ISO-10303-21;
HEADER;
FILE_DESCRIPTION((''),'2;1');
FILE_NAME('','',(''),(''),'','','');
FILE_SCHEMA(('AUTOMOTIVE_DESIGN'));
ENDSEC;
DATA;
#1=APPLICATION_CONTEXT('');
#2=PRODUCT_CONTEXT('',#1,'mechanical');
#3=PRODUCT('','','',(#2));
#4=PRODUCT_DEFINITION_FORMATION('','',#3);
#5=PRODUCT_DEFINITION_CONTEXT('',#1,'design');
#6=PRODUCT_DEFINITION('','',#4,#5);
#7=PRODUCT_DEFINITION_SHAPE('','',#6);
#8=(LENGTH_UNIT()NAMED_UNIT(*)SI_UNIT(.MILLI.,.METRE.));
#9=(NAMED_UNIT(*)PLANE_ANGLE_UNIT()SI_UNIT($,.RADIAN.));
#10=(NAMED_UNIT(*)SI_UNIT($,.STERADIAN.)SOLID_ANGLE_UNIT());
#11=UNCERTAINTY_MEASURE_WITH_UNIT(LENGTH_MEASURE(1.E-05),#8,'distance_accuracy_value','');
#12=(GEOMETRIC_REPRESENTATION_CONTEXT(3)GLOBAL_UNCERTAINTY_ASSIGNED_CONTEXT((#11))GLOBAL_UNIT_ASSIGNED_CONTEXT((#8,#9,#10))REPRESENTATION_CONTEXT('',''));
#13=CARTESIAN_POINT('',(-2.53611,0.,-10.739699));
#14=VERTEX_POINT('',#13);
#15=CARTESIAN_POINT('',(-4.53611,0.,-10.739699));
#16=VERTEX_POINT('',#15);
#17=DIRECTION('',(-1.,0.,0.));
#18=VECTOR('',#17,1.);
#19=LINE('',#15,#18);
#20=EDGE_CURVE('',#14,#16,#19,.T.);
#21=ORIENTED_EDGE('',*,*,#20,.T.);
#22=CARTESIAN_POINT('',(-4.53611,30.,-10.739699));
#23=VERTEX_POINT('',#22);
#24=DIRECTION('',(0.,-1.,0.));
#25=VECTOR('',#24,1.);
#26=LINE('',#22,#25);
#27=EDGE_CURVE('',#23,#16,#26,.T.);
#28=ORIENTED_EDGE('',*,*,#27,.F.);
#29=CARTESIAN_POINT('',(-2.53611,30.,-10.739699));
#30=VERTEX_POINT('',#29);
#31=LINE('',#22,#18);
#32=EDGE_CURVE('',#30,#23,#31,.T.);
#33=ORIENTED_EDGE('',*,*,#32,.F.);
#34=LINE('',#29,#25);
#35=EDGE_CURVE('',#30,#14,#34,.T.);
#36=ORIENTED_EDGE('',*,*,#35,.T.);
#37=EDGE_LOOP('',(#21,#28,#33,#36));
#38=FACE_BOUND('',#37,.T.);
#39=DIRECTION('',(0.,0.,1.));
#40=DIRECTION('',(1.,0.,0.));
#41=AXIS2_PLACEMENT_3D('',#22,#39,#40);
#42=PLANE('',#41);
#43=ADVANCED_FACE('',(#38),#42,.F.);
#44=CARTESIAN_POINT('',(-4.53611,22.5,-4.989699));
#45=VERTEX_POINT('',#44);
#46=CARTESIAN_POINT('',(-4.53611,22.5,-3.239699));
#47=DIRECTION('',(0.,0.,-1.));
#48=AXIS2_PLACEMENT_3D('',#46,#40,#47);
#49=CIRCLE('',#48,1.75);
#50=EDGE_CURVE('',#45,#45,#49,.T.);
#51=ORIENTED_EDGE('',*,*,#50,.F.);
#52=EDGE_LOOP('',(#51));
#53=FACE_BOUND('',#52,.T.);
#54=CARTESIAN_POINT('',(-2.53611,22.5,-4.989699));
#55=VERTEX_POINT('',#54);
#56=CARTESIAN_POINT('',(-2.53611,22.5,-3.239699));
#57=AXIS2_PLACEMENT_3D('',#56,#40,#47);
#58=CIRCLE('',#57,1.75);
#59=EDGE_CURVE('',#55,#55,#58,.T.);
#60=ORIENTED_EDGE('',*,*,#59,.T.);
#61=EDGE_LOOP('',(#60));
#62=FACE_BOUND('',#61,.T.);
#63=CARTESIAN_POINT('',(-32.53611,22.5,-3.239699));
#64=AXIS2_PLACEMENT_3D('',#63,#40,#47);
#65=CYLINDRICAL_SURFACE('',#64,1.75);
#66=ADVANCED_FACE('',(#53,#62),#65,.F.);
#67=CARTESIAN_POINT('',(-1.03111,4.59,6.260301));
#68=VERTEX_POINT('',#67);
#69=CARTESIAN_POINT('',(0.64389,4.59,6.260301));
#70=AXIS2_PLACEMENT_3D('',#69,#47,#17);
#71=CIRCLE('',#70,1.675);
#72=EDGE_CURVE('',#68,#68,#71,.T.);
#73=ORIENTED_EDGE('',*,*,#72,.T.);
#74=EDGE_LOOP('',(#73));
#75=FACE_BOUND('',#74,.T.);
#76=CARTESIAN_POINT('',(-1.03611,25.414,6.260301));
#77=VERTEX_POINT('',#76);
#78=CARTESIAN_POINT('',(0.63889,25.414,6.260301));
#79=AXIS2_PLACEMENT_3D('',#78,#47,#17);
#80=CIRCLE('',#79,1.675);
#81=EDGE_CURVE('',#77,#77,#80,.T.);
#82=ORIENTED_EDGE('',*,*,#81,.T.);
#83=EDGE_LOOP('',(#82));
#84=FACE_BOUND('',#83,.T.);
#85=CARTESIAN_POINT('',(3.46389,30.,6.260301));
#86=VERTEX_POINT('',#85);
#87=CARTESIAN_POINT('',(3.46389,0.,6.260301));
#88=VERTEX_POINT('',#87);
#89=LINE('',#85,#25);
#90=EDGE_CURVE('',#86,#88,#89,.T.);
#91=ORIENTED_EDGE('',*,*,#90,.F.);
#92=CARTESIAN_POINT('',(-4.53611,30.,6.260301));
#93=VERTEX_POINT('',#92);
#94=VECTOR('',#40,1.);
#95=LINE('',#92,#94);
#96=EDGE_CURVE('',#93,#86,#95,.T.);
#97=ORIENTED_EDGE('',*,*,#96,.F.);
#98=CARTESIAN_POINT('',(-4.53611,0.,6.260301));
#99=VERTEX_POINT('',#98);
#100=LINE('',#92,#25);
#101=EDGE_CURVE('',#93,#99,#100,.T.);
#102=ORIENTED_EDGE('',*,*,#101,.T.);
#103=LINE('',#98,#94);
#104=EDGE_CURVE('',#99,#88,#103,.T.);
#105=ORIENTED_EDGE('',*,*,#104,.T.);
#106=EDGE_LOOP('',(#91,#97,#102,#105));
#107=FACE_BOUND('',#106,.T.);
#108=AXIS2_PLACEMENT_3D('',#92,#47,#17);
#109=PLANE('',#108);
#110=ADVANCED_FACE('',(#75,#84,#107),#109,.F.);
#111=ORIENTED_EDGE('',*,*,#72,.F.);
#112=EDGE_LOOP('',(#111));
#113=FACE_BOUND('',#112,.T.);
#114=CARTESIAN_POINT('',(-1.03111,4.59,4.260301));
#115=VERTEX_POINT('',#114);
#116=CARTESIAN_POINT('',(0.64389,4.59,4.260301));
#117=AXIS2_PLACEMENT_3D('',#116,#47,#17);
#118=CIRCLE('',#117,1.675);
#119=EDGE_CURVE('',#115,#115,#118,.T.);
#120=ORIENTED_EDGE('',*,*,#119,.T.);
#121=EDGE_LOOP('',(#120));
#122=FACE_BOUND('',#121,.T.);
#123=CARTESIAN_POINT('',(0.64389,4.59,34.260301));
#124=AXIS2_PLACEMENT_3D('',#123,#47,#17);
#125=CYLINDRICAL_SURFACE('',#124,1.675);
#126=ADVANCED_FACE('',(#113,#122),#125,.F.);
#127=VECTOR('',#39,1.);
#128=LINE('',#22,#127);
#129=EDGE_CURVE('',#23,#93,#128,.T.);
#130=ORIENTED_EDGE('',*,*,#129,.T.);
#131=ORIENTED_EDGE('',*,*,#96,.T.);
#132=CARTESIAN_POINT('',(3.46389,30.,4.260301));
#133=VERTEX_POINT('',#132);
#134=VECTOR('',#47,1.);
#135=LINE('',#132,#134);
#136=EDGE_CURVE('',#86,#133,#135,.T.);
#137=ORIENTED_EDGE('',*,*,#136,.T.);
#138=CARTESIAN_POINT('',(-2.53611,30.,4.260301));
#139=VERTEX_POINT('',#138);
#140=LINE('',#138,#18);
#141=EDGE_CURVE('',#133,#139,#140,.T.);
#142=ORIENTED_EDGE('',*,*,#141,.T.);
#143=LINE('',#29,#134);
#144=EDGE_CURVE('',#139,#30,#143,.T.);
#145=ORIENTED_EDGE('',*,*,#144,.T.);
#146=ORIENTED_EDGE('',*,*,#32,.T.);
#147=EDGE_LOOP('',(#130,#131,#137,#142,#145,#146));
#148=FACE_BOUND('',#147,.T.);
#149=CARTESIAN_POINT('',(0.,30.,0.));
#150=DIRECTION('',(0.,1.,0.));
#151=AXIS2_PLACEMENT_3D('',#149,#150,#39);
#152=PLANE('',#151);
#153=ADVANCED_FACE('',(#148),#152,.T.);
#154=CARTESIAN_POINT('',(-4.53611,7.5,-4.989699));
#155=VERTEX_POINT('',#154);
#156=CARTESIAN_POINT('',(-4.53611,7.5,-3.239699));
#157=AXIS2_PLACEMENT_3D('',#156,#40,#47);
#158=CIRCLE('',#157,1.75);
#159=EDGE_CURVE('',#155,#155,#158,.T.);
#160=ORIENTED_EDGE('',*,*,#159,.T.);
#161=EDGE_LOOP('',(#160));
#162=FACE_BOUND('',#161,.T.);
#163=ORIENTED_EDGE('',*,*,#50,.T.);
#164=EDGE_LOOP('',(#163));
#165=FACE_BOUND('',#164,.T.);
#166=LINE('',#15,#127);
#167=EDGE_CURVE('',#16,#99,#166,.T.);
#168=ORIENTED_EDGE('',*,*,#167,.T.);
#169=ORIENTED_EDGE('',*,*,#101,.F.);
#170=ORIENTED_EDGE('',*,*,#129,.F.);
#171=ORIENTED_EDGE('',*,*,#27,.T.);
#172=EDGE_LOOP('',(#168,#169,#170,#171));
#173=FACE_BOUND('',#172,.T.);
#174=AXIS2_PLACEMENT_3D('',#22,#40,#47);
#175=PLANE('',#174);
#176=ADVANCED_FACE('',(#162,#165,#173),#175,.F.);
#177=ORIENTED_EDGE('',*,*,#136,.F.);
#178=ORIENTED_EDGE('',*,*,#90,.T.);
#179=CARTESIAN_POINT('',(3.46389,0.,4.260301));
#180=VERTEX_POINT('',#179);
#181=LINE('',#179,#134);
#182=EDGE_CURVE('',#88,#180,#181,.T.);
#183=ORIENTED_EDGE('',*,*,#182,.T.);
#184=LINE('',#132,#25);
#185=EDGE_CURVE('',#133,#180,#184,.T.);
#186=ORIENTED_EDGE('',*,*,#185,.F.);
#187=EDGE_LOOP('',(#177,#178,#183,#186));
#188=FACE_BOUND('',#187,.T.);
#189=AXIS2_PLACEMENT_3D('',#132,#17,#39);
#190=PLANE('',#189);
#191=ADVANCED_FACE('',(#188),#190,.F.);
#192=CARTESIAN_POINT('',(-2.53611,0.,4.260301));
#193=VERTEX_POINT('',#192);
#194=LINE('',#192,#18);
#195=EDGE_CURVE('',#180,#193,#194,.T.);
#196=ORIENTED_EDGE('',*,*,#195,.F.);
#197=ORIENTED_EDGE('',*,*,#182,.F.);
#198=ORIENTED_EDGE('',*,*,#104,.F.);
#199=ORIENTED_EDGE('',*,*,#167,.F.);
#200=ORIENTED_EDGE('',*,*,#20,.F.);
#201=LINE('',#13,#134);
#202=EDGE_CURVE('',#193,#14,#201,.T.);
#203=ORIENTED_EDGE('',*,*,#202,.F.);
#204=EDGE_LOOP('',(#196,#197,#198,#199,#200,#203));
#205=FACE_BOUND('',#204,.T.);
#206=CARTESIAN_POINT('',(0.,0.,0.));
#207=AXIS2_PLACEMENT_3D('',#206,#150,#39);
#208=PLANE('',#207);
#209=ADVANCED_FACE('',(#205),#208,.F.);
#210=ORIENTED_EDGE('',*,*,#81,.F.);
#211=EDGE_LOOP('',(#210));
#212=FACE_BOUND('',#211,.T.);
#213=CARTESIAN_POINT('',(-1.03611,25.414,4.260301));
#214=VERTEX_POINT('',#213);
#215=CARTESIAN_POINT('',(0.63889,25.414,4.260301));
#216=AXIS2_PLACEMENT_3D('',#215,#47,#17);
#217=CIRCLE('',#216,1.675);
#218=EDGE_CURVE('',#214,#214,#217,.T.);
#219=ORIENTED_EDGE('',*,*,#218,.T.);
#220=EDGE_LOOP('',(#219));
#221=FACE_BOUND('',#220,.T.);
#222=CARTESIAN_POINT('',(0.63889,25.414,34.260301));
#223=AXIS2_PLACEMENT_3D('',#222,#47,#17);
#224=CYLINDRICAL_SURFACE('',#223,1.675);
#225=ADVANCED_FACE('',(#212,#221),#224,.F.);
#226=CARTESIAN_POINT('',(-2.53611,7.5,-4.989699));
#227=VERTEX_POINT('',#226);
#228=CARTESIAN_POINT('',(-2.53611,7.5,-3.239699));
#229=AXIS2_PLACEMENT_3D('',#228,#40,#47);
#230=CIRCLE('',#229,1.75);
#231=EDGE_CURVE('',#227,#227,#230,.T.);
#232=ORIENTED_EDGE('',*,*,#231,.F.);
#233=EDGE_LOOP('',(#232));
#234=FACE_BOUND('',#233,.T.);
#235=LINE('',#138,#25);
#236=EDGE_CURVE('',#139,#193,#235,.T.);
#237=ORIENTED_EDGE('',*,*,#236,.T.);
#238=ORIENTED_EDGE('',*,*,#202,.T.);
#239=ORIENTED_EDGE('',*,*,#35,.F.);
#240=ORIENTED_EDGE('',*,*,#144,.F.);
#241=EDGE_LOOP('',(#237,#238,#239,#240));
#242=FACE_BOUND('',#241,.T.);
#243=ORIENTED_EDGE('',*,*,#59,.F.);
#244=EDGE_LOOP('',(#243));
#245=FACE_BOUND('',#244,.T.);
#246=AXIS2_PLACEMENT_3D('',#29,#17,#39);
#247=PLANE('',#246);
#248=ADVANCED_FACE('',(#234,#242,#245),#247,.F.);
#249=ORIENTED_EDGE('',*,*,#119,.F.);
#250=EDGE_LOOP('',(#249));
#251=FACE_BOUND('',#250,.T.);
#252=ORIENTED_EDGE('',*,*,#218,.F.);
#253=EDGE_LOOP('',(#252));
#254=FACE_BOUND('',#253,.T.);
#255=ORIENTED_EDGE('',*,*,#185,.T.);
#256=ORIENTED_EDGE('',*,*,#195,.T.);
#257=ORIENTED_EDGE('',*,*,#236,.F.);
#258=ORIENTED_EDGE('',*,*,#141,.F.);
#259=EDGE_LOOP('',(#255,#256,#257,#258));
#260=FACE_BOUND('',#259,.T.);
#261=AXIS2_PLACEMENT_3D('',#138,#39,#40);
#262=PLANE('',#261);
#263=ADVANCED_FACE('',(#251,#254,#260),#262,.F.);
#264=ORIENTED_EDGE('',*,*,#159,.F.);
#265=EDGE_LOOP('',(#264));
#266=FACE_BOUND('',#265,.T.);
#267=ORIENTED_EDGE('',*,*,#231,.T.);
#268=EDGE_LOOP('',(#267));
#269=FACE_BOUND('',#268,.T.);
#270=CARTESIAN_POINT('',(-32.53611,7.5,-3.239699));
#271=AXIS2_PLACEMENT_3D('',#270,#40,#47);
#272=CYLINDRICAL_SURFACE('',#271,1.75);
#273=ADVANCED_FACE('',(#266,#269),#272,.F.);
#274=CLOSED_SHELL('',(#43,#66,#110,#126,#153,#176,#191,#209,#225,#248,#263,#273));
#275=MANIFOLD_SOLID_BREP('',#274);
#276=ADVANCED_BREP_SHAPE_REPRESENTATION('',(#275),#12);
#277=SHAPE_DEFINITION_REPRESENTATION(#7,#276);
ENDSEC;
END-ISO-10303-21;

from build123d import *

# Parameters (mm, degrees)
BOSS_EXTRUDE1_DEPTH = 30
SKETCH2_R           = 1.675
CUT_EXTRUDE1_DEPTH  = 30
SKETCH3_R           = 1.75
CUT_EXTRUDE2_DEPTH  = 30


with BuildPart() as part:
    # Sketch1 → Boss-Extrude1 (new body)
    with BuildSketch(Plane(origin=(0, 0, 0), x_dir=(1, 0, 0), z_dir=(0, 1, 0))):
        Polygon((-2.53610988, 10.739698715), (-2.53610988, -4.260301285), (3.46389012, -4.260301285), (3.46389012, -6.260301285), (-4.53610988, -6.260301285), (-4.53610988, 10.739698715), align=None)
    extrude(amount=BOSS_EXTRUDE1_DEPTH)

    # Sketch2 → Cut-Extrude1 (cut)
    with BuildSketch(Plane(origin=(0, 0, 4.260301285), x_dir=(-1, 0, 0), z_dir=(0, 0, -1))):
        with Locations((-0.63889012, 25.414)):
            Circle(SKETCH2_R)
        with Locations((-0.64389012, 4.59)):
            Circle(SKETCH2_R)
    extrude(amount=-CUT_EXTRUDE1_DEPTH, mode=Mode.SUBTRACT)

    # Sketch3 → Cut-Extrude2 (cut)
    with BuildSketch(Plane(origin=(-2.53610988, 0, 0), x_dir=(0, 0, -1), z_dir=(1, 0, 0))):
        with Locations((3.239698715, 22.5)):
            Circle(SKETCH3_R)
        with Locations((3.239698715, 7.5)):
            Circle(SKETCH3_R)
    extrude(amount=-CUT_EXTRUDE2_DEPTH, mode=Mode.SUBTRACT)


solid = part.part
